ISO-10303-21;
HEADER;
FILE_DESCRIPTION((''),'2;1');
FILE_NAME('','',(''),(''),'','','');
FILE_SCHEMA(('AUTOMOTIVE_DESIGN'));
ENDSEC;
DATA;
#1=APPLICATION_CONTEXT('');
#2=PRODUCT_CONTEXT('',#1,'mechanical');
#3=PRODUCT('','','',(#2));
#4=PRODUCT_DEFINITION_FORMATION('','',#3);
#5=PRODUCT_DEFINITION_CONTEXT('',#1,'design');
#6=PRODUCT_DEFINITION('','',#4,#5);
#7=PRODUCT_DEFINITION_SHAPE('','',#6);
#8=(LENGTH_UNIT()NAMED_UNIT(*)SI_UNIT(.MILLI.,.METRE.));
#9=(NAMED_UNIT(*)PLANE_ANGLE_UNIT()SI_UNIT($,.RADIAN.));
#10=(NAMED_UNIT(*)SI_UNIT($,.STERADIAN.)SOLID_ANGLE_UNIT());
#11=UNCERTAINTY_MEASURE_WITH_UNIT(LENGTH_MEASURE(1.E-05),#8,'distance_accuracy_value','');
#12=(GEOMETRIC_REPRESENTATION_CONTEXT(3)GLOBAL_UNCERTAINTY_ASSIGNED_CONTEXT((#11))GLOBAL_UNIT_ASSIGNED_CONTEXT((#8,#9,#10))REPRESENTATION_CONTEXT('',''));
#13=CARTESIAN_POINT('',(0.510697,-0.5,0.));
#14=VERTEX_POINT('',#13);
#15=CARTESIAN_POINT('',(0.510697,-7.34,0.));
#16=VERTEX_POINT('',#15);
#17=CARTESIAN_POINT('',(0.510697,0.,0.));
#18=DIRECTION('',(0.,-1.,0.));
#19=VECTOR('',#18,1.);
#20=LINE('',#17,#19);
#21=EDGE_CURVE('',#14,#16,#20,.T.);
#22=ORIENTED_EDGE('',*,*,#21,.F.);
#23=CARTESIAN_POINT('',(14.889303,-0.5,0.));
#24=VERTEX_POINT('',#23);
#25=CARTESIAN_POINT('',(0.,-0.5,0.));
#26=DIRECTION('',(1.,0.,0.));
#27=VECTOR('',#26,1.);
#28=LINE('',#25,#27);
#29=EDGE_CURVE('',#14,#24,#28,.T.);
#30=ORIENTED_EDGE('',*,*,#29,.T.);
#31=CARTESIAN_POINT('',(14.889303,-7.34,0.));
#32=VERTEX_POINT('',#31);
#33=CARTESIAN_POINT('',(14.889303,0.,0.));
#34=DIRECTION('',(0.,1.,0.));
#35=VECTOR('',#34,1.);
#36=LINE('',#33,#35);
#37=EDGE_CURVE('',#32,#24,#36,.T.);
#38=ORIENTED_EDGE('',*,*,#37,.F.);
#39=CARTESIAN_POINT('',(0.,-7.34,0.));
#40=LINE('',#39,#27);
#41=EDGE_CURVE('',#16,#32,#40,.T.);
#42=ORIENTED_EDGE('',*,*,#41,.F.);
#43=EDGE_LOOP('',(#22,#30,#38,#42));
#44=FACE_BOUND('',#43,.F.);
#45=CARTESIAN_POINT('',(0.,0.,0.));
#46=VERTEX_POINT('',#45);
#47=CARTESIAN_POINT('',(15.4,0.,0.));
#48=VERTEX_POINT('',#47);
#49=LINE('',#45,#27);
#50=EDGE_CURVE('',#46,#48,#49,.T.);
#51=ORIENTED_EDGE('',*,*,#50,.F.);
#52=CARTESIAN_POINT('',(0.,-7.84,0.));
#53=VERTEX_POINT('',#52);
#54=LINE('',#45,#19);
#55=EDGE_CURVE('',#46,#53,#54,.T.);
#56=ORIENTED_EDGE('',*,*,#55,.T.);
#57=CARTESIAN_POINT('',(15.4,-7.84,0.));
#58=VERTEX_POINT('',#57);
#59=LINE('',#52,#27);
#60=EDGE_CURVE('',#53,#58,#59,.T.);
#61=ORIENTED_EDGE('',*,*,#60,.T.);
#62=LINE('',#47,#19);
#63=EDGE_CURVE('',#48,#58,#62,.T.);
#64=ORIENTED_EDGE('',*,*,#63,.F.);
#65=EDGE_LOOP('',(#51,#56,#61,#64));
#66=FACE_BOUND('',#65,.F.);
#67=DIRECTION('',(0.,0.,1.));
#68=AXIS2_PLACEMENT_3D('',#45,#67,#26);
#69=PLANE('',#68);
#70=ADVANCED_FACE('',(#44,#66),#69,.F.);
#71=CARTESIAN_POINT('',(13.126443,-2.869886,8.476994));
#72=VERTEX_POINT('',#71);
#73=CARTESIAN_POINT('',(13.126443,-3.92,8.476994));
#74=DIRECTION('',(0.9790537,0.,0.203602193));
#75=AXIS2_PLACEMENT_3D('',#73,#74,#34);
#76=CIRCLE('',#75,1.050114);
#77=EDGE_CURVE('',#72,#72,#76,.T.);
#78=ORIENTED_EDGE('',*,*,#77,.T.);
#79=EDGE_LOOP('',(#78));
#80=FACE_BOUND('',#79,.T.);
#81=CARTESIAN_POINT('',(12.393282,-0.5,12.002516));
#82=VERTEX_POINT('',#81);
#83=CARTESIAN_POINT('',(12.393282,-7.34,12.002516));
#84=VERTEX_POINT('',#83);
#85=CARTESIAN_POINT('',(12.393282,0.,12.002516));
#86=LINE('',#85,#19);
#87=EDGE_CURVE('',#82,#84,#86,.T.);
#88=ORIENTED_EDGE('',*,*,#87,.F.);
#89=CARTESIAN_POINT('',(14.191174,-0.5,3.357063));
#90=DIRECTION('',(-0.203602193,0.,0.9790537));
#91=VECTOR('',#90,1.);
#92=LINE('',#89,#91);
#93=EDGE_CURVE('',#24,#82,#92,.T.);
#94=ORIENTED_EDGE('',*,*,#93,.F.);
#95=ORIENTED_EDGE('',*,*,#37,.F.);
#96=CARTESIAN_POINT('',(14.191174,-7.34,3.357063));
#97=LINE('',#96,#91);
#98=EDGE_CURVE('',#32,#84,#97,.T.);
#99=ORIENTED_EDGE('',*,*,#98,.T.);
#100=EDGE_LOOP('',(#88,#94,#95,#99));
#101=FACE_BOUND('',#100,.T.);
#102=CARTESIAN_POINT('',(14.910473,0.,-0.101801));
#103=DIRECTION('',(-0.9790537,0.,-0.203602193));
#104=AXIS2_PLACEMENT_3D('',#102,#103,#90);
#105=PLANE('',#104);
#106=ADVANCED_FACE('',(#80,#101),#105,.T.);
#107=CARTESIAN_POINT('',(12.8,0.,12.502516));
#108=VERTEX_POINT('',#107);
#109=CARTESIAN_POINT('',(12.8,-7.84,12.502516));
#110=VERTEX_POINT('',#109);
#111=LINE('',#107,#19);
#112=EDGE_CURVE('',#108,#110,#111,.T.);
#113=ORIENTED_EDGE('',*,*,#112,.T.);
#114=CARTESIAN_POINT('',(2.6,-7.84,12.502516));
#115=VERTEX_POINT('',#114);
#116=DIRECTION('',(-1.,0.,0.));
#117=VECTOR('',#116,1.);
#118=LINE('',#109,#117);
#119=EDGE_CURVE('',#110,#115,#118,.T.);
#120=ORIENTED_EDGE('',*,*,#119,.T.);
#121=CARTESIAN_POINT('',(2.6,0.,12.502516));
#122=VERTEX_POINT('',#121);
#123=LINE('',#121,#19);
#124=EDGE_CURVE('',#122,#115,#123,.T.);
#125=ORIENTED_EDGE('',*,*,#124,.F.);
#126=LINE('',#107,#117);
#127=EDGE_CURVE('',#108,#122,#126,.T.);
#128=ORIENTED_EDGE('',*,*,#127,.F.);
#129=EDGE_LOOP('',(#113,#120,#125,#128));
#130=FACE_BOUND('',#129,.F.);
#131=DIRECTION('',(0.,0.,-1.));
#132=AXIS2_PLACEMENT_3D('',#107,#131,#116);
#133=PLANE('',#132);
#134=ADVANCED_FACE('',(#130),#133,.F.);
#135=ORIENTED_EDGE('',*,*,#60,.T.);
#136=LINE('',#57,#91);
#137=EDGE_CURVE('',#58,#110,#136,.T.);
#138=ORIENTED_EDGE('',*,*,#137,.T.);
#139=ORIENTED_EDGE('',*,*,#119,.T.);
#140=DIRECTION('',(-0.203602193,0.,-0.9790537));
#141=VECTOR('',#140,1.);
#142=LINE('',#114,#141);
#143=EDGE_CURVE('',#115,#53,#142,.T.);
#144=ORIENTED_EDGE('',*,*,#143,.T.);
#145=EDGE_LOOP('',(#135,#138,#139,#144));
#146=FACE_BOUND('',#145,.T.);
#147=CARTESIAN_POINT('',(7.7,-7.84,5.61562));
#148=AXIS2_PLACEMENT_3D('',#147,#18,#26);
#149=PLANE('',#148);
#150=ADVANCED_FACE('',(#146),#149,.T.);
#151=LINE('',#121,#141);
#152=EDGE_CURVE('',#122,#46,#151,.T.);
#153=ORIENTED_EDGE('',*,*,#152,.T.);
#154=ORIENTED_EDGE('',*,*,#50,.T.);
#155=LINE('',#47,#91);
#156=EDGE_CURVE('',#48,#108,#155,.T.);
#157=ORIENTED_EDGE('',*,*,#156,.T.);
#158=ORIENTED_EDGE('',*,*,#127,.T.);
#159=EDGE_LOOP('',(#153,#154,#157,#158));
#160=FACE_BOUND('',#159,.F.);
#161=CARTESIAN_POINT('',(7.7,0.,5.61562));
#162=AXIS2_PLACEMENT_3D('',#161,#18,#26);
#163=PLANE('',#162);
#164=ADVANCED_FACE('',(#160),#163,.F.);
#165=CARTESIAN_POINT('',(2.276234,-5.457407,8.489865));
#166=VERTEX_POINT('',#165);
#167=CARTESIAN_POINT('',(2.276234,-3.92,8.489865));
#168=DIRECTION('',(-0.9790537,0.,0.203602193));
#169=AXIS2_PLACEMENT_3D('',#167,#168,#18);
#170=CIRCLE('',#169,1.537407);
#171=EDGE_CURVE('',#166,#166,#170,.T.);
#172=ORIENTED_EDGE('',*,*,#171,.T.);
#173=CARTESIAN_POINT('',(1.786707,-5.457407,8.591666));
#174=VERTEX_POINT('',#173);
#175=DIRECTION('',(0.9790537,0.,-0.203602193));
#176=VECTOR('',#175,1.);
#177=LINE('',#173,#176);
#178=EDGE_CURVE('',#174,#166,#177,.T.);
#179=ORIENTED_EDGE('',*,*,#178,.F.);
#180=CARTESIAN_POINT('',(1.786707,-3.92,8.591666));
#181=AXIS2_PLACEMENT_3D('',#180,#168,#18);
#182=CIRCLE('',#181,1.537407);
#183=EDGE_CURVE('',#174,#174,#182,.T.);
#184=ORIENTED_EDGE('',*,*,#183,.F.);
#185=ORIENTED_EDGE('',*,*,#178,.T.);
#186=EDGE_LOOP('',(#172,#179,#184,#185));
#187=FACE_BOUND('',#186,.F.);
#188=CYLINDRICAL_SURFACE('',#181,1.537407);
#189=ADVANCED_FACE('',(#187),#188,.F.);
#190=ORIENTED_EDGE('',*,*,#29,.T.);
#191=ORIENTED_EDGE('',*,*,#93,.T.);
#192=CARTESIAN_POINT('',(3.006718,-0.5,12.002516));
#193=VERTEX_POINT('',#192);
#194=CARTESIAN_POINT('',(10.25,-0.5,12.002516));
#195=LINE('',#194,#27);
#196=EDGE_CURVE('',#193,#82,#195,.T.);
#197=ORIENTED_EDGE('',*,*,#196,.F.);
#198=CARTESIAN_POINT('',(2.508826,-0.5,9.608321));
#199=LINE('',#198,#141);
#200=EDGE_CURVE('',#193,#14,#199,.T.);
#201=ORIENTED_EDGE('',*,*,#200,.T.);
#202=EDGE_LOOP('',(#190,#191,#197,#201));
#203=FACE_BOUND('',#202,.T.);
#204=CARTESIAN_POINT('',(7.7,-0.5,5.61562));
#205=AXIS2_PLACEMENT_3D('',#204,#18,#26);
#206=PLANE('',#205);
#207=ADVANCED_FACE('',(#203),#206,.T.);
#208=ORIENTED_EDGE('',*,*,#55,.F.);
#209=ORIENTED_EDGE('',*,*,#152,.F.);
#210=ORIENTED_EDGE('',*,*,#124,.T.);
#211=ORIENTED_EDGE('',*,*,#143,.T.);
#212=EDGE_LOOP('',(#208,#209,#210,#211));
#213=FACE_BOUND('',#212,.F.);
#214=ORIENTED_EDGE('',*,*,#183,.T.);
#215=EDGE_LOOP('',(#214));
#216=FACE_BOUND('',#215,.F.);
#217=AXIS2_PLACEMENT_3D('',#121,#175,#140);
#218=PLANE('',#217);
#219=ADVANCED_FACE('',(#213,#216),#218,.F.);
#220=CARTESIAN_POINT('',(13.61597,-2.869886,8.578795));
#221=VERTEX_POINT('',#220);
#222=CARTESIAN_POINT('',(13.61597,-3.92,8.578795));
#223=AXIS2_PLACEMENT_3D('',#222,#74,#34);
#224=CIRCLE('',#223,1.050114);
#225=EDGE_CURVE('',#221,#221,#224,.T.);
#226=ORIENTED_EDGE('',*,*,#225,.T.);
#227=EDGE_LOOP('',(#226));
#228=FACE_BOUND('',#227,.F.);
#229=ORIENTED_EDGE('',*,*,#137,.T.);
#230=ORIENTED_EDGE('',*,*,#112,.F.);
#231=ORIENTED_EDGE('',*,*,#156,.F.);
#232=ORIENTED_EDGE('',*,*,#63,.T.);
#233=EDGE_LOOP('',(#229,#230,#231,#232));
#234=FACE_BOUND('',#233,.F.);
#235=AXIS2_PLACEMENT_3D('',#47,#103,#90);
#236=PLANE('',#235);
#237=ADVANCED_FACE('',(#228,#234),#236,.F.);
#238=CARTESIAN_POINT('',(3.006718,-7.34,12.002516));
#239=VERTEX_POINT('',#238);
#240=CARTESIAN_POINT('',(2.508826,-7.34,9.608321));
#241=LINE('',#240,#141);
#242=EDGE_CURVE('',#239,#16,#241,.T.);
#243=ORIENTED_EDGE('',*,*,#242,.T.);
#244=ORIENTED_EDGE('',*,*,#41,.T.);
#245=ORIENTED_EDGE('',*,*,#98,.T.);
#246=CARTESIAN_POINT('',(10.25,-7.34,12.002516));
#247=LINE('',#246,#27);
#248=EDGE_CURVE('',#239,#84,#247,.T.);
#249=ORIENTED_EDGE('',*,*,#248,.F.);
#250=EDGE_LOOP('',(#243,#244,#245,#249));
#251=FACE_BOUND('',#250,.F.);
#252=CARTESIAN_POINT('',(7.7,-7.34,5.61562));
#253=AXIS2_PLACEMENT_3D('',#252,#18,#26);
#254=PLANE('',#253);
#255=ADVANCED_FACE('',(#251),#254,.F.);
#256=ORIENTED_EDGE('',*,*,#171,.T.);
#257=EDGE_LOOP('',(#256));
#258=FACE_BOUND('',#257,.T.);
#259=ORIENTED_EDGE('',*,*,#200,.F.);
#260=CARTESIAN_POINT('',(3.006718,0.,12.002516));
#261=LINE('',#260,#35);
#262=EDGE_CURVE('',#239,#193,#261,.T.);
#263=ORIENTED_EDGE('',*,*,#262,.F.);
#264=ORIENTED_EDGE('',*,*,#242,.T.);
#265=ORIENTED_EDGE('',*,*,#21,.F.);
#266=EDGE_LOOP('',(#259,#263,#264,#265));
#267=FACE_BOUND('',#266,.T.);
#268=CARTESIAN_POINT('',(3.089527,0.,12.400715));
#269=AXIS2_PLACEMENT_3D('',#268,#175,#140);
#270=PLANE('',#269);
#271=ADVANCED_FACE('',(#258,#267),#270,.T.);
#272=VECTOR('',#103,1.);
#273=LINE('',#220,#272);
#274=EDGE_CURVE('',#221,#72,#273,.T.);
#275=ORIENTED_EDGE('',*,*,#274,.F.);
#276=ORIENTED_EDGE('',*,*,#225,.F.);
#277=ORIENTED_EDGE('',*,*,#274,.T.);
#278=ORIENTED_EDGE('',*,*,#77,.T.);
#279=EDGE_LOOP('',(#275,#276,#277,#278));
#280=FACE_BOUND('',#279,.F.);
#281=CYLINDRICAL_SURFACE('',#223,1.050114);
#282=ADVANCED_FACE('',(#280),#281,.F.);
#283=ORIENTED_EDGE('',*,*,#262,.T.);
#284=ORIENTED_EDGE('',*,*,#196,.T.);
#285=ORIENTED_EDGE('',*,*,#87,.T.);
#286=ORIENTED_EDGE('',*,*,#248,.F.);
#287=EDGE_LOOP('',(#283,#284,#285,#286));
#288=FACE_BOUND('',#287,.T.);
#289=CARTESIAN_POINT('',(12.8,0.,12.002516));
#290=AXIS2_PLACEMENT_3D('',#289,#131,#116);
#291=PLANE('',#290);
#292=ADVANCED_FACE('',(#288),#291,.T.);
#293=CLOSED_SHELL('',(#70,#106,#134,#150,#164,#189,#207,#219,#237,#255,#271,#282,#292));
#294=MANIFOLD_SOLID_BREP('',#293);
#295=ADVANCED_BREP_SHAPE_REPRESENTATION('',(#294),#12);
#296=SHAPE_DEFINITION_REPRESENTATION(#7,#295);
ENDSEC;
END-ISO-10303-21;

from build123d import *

# Parameters (mm, degrees)
F1_DEPTH = 7.84
F3_T     = -0.5
F2_R     = 1.0501143569
F4_DEPTH = 0.5
F5_R     = 1.5374067345
F6_DEPTH = 0.5


with BuildPart() as f1:
    # F0 (on Front) → F1 (new body)
    with BuildSketch(Plane.XZ):
        Polygon((2.6, 12.5025157468), (0, 0), (15.4, 0), (12.8, 12.5025157468), align=None)
    extrude(amount=F1_DEPTH)

    # F3
    f3_openings = [f1.faces().sort_by_distance(p)[0] for p in [
        (7.7, -3.92, 0),
    ]]
    offset(amount=F3_T, openings=f3_openings)

    # F2 (on face) → F4 (cut, through all)
    with BuildSketch(Plane(origin=(14.7616106661, 0, 3.069797192), x_dir=(0, 1, 0), z_dir=(0.9790536998, 0, 0.2036021926))):
        with Locations((-3.92, 5.6268600747)):
            Circle(F2_R)
    extrude(amount=-F4_DEPTH, mode=Mode.SUBTRACT)

    # F5 (on face) → F6 (cut, through all)
    with BuildSketch(Plane(origin=(0, 0, 0), x_dir=(0, -1, 0), z_dir=(-0.9790536998, 0, 0.2036021926))):
        with Locations((3.92, 8.7754800916)):
            Circle(F5_R)
    extrude(amount=-F6_DEPTH, mode=Mode.SUBTRACT)


solid = f1.part
